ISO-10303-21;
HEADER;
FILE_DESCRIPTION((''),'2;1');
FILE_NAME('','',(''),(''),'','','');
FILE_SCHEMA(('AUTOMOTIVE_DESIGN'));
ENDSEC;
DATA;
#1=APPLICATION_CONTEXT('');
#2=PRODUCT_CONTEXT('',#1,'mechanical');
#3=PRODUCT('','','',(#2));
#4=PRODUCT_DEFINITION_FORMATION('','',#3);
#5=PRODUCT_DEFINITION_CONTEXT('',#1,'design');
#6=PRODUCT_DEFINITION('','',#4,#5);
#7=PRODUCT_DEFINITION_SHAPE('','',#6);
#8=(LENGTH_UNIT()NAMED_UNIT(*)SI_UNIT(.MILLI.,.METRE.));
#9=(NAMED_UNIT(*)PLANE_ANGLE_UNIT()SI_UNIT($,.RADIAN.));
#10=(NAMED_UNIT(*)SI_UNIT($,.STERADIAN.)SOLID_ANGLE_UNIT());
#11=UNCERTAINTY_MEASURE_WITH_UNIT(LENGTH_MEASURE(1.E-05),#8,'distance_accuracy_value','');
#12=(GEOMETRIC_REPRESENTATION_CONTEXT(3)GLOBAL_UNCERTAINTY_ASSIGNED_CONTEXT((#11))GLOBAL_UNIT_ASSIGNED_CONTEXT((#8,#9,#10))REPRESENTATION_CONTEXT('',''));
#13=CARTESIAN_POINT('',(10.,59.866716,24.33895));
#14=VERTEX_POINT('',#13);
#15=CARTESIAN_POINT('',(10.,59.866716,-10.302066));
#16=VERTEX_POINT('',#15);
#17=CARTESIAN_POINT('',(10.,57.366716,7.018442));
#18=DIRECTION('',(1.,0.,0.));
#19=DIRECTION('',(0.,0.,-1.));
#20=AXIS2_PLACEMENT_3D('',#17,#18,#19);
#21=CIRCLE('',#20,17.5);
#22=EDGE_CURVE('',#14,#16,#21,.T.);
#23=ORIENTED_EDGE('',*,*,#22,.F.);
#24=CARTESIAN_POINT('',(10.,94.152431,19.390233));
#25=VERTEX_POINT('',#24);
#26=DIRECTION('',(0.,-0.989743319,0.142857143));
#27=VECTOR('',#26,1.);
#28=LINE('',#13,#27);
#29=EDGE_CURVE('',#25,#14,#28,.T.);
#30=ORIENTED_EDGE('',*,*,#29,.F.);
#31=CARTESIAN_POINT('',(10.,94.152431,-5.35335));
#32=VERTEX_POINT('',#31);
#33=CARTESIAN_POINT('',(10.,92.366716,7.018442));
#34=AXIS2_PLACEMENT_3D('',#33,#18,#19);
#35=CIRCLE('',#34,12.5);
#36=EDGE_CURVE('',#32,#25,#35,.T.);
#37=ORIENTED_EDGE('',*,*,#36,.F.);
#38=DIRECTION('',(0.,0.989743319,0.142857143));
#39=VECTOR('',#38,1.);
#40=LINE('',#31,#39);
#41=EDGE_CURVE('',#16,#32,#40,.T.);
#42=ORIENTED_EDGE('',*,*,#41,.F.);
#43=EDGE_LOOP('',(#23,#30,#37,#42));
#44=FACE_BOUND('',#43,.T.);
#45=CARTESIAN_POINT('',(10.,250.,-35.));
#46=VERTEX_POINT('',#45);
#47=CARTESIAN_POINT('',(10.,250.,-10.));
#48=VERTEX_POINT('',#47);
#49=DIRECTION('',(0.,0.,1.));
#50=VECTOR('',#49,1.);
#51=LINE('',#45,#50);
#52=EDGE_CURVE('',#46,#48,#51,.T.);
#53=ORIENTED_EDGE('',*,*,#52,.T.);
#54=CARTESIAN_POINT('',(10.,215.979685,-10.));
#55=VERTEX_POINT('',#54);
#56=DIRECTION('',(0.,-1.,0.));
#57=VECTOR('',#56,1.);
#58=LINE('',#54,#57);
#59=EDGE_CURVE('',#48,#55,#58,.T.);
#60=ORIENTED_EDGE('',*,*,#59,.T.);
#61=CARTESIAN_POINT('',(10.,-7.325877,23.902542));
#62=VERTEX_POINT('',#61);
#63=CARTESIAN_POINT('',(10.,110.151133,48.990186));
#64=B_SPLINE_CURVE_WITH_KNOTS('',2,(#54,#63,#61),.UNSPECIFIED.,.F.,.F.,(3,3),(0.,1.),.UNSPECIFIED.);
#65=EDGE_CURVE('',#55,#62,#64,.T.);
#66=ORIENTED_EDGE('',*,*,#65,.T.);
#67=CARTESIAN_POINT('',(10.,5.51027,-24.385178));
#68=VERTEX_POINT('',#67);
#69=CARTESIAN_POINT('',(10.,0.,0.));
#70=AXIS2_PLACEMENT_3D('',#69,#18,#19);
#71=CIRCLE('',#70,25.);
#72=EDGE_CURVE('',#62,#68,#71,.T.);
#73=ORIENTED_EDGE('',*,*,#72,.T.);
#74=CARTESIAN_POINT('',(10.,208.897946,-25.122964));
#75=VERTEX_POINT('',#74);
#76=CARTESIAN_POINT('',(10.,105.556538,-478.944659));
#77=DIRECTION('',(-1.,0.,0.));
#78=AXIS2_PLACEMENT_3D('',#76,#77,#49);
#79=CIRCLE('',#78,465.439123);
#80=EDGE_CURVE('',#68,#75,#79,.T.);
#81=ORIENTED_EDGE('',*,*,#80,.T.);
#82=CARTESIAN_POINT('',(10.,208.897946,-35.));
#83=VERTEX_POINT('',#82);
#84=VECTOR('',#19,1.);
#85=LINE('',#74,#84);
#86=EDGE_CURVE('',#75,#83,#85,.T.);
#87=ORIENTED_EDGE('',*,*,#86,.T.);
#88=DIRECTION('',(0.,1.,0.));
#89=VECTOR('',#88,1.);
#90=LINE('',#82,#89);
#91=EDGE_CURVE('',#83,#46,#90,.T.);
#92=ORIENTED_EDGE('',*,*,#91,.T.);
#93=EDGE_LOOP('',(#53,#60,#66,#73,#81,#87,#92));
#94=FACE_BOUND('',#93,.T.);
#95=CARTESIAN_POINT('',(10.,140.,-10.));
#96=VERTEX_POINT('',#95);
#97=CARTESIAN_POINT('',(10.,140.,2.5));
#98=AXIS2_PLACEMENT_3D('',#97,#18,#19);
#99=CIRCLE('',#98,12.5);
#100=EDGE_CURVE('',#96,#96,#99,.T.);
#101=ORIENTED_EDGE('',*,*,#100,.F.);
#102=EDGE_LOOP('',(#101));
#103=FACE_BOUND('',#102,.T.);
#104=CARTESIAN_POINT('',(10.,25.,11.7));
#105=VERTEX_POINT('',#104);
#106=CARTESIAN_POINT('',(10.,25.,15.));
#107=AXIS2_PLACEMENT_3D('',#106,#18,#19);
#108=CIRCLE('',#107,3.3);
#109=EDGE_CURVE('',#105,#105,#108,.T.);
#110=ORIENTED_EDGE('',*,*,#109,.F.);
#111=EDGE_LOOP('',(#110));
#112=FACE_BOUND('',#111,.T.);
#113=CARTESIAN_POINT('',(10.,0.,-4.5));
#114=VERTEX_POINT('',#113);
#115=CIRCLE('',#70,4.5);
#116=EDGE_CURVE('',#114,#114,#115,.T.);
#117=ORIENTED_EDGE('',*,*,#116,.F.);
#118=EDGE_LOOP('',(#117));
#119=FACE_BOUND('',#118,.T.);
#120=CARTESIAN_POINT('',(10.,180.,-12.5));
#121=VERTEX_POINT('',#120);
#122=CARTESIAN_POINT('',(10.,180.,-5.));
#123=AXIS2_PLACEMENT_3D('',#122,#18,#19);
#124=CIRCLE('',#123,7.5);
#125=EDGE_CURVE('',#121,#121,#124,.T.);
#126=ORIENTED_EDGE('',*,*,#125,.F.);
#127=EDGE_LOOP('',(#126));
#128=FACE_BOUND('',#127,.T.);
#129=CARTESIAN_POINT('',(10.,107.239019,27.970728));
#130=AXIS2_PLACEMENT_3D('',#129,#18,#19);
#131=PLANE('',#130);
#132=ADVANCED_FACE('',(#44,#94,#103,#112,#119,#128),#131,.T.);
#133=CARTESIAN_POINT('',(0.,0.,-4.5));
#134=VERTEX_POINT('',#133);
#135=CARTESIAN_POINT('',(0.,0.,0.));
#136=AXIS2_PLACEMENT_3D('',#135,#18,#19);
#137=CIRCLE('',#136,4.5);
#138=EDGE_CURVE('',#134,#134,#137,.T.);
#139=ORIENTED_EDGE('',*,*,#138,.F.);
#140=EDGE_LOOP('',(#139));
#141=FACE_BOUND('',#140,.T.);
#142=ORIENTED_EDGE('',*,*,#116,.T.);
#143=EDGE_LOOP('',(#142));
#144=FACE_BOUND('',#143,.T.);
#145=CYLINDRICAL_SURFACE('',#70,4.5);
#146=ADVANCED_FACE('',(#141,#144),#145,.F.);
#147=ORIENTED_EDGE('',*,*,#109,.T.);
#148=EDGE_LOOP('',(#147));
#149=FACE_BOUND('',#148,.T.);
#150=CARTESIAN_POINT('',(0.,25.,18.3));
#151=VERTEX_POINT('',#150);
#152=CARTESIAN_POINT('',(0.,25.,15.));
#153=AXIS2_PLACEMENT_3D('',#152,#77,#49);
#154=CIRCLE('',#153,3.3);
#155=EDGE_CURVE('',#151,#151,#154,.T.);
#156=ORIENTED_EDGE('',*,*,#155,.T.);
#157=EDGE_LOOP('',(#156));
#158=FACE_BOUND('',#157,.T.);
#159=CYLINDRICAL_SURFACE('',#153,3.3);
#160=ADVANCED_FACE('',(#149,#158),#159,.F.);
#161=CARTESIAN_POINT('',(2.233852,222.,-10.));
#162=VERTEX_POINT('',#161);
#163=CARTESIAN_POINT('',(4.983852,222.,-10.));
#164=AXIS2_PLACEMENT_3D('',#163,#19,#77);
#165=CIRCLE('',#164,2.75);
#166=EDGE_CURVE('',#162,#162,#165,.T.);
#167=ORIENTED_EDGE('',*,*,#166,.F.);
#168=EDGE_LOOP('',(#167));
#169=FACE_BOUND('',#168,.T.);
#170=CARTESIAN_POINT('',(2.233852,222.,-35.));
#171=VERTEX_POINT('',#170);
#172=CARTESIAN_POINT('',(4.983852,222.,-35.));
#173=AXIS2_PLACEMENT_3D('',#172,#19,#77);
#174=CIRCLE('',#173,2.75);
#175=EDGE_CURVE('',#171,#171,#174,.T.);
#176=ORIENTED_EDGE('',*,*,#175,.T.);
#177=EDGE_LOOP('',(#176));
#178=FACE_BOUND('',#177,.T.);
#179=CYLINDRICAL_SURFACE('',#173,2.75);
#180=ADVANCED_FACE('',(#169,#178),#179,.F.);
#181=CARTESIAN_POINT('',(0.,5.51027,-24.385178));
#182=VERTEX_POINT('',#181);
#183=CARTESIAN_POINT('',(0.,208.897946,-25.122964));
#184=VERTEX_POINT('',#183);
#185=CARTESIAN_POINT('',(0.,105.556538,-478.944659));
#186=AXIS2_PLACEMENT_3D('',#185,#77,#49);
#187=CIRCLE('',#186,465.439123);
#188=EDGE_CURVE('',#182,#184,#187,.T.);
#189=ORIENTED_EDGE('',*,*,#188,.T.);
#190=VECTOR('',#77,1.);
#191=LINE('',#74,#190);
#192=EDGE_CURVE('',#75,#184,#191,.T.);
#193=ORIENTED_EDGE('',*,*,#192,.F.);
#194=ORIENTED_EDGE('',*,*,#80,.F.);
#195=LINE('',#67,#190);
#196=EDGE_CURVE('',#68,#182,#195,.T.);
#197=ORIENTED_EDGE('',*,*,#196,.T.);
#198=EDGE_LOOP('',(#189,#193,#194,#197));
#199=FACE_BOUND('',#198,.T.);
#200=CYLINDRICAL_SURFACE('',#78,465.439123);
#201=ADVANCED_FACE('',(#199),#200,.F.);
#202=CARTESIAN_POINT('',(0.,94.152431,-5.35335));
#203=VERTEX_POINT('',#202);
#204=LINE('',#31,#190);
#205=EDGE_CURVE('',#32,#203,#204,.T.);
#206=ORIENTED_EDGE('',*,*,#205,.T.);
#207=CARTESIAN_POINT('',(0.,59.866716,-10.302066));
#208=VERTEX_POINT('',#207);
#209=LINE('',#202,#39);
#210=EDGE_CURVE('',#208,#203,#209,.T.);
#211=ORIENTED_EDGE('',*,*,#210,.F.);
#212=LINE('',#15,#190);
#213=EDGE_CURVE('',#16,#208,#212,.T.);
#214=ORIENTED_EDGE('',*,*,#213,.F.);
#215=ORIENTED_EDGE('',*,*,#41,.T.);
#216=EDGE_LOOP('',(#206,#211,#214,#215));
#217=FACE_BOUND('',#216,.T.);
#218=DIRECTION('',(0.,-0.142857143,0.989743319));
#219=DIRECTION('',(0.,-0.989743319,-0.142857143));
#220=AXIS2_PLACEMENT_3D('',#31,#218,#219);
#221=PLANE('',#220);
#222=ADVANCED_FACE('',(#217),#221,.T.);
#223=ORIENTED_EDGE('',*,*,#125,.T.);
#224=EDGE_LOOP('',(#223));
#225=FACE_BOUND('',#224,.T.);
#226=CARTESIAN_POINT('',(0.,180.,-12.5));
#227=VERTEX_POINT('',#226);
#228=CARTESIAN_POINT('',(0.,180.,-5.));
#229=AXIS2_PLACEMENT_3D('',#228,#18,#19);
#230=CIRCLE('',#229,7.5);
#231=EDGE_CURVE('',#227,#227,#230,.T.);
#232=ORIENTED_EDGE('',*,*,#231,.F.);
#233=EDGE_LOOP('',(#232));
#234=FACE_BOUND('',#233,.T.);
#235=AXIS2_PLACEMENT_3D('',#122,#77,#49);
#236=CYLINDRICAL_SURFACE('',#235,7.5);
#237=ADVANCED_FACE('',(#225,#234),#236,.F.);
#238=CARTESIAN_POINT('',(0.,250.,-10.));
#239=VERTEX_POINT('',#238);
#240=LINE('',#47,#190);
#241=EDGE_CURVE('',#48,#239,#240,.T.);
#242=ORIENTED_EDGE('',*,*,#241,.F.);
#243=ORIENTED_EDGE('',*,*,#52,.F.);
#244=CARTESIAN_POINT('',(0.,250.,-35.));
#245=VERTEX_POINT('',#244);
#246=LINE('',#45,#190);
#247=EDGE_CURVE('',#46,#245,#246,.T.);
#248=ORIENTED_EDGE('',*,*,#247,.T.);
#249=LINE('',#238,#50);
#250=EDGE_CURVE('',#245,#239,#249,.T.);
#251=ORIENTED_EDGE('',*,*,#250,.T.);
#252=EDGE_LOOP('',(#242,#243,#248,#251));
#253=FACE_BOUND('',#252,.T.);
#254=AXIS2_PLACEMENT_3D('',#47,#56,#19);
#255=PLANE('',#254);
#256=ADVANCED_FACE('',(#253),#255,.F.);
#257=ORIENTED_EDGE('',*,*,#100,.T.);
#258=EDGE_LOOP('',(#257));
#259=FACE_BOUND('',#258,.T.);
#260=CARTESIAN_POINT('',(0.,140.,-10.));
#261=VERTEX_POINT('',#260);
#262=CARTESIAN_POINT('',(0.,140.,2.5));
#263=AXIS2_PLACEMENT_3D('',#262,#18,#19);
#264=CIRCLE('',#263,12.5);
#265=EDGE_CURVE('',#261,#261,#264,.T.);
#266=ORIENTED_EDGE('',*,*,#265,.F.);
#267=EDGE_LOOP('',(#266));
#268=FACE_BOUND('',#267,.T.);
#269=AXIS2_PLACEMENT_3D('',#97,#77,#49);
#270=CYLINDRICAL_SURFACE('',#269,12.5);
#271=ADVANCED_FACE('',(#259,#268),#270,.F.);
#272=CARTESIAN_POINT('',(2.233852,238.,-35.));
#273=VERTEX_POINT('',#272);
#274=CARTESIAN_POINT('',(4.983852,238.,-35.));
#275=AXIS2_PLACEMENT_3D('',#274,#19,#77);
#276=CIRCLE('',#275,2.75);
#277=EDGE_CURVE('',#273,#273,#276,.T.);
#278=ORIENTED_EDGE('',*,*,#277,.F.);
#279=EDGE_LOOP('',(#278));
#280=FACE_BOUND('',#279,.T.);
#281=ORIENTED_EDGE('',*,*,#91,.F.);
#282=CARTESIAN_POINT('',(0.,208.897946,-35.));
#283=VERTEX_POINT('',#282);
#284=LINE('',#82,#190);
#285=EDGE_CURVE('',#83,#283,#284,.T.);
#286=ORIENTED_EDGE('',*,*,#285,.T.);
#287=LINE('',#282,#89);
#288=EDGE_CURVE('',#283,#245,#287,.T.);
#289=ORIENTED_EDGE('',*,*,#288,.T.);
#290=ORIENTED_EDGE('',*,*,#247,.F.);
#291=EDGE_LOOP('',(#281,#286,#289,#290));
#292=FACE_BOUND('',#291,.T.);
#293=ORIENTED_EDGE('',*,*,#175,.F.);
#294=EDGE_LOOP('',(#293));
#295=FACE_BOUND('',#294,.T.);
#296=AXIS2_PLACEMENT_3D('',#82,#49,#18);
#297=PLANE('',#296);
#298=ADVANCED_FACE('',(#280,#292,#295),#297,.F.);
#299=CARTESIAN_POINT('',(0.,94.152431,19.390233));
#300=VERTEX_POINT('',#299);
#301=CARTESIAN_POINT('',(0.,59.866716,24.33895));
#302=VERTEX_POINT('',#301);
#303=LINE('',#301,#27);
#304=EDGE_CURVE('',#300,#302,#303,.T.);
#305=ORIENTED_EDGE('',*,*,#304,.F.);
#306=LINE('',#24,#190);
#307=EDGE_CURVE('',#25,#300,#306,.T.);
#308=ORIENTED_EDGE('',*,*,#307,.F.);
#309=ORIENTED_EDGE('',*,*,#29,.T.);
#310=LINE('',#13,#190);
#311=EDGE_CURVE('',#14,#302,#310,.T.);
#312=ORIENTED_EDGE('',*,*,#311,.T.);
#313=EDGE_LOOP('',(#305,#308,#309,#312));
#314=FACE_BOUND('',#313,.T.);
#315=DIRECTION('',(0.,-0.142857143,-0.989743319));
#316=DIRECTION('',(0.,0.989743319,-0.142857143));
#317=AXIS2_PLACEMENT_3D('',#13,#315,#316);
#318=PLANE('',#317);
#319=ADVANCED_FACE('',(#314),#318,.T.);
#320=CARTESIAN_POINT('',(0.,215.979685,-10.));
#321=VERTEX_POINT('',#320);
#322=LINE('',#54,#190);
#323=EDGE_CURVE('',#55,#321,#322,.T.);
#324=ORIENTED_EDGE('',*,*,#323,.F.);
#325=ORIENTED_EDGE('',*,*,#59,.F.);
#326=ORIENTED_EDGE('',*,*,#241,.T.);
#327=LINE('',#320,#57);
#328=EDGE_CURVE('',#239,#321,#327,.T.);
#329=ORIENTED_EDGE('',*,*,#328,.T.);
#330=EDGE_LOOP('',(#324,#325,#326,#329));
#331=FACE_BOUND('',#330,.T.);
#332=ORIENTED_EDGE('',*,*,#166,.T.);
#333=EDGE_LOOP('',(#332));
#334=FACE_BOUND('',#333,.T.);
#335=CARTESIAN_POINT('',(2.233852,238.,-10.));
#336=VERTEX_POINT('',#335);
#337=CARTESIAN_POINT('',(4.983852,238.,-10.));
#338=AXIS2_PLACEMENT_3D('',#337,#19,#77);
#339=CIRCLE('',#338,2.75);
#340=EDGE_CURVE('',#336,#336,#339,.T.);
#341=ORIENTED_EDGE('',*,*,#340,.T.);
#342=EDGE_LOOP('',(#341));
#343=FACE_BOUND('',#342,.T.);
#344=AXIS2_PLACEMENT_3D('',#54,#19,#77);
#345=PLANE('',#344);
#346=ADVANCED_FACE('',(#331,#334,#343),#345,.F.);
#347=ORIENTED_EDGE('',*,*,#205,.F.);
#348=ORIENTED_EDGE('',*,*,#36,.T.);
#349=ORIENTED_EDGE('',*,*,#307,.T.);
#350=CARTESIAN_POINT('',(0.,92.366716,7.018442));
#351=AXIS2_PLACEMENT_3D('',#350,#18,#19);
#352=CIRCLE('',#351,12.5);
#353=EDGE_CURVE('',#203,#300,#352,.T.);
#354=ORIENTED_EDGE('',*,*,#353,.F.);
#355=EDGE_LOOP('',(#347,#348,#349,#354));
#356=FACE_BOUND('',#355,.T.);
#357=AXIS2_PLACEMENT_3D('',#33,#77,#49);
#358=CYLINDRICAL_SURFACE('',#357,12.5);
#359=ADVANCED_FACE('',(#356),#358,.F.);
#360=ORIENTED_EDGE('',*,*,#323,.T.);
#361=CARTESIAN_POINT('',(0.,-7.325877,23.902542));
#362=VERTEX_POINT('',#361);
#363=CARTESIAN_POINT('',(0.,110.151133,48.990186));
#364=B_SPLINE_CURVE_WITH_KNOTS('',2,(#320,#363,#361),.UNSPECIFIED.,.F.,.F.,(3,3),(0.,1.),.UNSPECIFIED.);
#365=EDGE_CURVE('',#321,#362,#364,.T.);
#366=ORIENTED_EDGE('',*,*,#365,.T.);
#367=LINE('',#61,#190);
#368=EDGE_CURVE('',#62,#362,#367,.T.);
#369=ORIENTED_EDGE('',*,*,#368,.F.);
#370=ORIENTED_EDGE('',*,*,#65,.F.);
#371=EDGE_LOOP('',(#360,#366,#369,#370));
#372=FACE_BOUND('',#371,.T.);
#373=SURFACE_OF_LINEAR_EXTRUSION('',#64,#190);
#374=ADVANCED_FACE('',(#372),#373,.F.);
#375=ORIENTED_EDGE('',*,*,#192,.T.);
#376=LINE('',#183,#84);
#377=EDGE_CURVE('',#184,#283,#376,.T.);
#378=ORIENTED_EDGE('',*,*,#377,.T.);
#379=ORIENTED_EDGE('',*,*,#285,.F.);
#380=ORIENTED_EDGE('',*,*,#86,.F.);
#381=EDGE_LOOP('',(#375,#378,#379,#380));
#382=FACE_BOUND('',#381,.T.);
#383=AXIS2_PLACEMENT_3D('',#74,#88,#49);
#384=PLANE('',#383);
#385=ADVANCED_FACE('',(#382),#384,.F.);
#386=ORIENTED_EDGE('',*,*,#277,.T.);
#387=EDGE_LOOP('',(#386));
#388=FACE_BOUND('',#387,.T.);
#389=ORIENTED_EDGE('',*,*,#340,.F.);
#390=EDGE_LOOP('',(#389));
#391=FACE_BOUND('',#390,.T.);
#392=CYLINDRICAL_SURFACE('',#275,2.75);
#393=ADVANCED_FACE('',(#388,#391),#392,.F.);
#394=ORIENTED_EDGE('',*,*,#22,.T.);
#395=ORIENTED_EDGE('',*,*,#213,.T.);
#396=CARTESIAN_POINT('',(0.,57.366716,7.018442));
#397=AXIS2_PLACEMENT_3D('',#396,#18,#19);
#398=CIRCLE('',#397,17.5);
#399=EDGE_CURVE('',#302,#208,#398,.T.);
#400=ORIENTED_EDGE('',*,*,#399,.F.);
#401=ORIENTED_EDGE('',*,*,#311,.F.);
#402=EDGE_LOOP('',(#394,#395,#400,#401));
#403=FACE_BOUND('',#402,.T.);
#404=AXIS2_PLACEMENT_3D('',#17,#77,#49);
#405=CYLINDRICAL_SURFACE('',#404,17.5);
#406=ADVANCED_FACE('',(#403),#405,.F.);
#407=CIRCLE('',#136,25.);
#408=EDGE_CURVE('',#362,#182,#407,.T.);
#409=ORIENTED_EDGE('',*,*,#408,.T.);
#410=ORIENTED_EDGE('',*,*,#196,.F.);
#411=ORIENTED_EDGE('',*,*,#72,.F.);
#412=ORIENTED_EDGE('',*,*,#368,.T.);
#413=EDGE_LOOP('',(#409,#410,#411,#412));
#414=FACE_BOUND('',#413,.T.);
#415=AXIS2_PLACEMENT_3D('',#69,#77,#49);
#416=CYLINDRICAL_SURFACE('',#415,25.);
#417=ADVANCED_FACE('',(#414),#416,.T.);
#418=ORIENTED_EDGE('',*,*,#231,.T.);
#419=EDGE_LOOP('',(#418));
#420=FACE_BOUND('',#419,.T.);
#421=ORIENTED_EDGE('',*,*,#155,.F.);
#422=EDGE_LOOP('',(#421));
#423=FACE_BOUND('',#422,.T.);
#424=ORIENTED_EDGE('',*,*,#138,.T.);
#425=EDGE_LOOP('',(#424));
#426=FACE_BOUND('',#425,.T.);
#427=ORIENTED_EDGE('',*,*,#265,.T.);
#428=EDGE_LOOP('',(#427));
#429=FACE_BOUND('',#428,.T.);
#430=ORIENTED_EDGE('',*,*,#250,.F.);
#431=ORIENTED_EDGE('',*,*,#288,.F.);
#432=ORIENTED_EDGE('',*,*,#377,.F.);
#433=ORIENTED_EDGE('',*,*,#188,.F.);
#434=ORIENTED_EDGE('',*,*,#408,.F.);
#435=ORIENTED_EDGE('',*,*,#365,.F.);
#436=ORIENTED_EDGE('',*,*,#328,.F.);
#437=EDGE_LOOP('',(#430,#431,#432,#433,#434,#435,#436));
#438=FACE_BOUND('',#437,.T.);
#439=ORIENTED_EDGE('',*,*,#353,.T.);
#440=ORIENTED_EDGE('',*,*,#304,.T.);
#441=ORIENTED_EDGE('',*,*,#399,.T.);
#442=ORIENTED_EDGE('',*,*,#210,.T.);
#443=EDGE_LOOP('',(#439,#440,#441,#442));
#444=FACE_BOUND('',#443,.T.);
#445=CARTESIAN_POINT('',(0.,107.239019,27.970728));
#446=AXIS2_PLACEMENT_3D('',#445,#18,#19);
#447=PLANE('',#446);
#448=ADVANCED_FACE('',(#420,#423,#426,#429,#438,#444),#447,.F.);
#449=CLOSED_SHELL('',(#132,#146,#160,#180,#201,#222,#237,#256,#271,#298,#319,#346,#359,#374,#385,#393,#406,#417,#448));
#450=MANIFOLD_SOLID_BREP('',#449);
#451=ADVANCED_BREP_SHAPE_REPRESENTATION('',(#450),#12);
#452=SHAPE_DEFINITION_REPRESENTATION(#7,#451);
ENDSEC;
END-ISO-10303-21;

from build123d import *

# Parameters (mm, degrees)
SKETCH1_R                = 7.5
SKETCH1_R_2              = 12.5
BOSS_EXTRUDE1_DEPTH      = 10
M5_CLEARANCE_HOLE2_D     = 5.5
M5_CLEARANCE_HOLE2_DEPTH = 30
M5_CLEARANCE_HOLE2_TIP   = 1.652366702
M8_CLEARANCE_HOLE1_D     = 9
M8_CLEARANCE_HOLE1_DEPTH = 30
M8_CLEARANCE_HOLE1_TIP   = 2.703872786
M6_CLEARANCE_HOLE1_D     = 6.6
M6_CLEARANCE_HOLE1_DEPTH = 30
M6_CLEARANCE_HOLE1_TIP   = 1.982840043


with BuildPart() as part:
    # Sketch1 → Boss-Extrude1 (new body)
    with BuildSketch(Plane(origin=(0, 0, 0), x_dir=(0, 0, -1), z_dir=(1, 0, 0))):
        with BuildLine():
            Line((10, 215.979685497), (10, 250))
            Line((10, 250), (25, 250))
            Line((25, 250), (35, 250))
            Line((35, 250), (35, 208.897946033))
            Line((35, 208.897946033), (25.122964317, 208.897946033))
            ThreePointArc((25.122964317, 208.897946033), (13.508598299, 107.244900729), (24.385178415, 5.510269837))
            ThreePointArc((24.385178415, 5.510269837), (6.422608809, -24.160920845), (-23.902542108, -7.325877476))
            add(Edge.make_bspline(
                [(-23.902542108, -7.325877476), (-48.990185726, 110.151133061), (10, 215.979685497)],
                knots=[0, 0, 0, 1, 1, 1], degree=2))
        make_face()
        with Locations((5, 180)):
            Circle(SKETCH1_R, mode=Mode.SUBTRACT)
        with Locations((-2.5, 140)):
            Circle(SKETCH1_R_2, mode=Mode.SUBTRACT)
        with BuildLine():
            Line((-24.338949666, 59.866716225), (-19.390233073, 94.152430511))
            ThreePointArc((-19.390233073, 94.152430511), (-7.01844159, 104.866716225), (5.353349892, 94.152430511))
            Line((5.353349892, 94.152430511), (10.302066485, 59.866716225))
            ThreePointArc((10.302066485, 59.866716225), (-7.01844159, 39.866716225), (-24.338949666, 59.866716225))
        make_face(mode=Mode.SUBTRACT)
    extrude(amount=BOSS_EXTRUDE1_DEPTH)

    # M5 Clearance Hole2
    with Locations(Plane(origin=(0, 0, -35), x_dir=(-1, 0, 0), z_dir=(0, 0, -1))):
        with Locations((-4.98385201, 238), (-4.98385201, 222)):
            Hole(M5_CLEARANCE_HOLE2_D / 2, depth=M5_CLEARANCE_HOLE2_DEPTH)
            with Locations((0, 0, -(M5_CLEARANCE_HOLE2_DEPTH + M5_CLEARANCE_HOLE2_TIP / 2))):  # 118° drill point
                Cone(0, M5_CLEARANCE_HOLE2_D / 2, M5_CLEARANCE_HOLE2_TIP, mode=Mode.SUBTRACT)

    # M8 Clearance Hole1
    with Locations(Plane(origin=(10, 0, 0), x_dir=(0, 0, -1), z_dir=(1, 0, 0))):
        with Locations((0, 0)):
            Hole(M8_CLEARANCE_HOLE1_D / 2, depth=M8_CLEARANCE_HOLE1_DEPTH)
            with Locations((0, 0, -(M8_CLEARANCE_HOLE1_DEPTH + M8_CLEARANCE_HOLE1_TIP / 2))):  # 118° drill point
                Cone(0, M8_CLEARANCE_HOLE1_D / 2, M8_CLEARANCE_HOLE1_TIP, mode=Mode.SUBTRACT)

    # M6 Clearance Hole1
    with Locations(Plane.ZY):
        with Locations((15, 25)):
            Hole(M6_CLEARANCE_HOLE1_D / 2, depth=M6_CLEARANCE_HOLE1_DEPTH)
            with Locations((0, 0, -(M6_CLEARANCE_HOLE1_DEPTH + M6_CLEARANCE_HOLE1_TIP / 2))):  # 118° drill point
                Cone(0, M6_CLEARANCE_HOLE1_D / 2, M6_CLEARANCE_HOLE1_TIP, mode=Mode.SUBTRACT)


solid = part.part
